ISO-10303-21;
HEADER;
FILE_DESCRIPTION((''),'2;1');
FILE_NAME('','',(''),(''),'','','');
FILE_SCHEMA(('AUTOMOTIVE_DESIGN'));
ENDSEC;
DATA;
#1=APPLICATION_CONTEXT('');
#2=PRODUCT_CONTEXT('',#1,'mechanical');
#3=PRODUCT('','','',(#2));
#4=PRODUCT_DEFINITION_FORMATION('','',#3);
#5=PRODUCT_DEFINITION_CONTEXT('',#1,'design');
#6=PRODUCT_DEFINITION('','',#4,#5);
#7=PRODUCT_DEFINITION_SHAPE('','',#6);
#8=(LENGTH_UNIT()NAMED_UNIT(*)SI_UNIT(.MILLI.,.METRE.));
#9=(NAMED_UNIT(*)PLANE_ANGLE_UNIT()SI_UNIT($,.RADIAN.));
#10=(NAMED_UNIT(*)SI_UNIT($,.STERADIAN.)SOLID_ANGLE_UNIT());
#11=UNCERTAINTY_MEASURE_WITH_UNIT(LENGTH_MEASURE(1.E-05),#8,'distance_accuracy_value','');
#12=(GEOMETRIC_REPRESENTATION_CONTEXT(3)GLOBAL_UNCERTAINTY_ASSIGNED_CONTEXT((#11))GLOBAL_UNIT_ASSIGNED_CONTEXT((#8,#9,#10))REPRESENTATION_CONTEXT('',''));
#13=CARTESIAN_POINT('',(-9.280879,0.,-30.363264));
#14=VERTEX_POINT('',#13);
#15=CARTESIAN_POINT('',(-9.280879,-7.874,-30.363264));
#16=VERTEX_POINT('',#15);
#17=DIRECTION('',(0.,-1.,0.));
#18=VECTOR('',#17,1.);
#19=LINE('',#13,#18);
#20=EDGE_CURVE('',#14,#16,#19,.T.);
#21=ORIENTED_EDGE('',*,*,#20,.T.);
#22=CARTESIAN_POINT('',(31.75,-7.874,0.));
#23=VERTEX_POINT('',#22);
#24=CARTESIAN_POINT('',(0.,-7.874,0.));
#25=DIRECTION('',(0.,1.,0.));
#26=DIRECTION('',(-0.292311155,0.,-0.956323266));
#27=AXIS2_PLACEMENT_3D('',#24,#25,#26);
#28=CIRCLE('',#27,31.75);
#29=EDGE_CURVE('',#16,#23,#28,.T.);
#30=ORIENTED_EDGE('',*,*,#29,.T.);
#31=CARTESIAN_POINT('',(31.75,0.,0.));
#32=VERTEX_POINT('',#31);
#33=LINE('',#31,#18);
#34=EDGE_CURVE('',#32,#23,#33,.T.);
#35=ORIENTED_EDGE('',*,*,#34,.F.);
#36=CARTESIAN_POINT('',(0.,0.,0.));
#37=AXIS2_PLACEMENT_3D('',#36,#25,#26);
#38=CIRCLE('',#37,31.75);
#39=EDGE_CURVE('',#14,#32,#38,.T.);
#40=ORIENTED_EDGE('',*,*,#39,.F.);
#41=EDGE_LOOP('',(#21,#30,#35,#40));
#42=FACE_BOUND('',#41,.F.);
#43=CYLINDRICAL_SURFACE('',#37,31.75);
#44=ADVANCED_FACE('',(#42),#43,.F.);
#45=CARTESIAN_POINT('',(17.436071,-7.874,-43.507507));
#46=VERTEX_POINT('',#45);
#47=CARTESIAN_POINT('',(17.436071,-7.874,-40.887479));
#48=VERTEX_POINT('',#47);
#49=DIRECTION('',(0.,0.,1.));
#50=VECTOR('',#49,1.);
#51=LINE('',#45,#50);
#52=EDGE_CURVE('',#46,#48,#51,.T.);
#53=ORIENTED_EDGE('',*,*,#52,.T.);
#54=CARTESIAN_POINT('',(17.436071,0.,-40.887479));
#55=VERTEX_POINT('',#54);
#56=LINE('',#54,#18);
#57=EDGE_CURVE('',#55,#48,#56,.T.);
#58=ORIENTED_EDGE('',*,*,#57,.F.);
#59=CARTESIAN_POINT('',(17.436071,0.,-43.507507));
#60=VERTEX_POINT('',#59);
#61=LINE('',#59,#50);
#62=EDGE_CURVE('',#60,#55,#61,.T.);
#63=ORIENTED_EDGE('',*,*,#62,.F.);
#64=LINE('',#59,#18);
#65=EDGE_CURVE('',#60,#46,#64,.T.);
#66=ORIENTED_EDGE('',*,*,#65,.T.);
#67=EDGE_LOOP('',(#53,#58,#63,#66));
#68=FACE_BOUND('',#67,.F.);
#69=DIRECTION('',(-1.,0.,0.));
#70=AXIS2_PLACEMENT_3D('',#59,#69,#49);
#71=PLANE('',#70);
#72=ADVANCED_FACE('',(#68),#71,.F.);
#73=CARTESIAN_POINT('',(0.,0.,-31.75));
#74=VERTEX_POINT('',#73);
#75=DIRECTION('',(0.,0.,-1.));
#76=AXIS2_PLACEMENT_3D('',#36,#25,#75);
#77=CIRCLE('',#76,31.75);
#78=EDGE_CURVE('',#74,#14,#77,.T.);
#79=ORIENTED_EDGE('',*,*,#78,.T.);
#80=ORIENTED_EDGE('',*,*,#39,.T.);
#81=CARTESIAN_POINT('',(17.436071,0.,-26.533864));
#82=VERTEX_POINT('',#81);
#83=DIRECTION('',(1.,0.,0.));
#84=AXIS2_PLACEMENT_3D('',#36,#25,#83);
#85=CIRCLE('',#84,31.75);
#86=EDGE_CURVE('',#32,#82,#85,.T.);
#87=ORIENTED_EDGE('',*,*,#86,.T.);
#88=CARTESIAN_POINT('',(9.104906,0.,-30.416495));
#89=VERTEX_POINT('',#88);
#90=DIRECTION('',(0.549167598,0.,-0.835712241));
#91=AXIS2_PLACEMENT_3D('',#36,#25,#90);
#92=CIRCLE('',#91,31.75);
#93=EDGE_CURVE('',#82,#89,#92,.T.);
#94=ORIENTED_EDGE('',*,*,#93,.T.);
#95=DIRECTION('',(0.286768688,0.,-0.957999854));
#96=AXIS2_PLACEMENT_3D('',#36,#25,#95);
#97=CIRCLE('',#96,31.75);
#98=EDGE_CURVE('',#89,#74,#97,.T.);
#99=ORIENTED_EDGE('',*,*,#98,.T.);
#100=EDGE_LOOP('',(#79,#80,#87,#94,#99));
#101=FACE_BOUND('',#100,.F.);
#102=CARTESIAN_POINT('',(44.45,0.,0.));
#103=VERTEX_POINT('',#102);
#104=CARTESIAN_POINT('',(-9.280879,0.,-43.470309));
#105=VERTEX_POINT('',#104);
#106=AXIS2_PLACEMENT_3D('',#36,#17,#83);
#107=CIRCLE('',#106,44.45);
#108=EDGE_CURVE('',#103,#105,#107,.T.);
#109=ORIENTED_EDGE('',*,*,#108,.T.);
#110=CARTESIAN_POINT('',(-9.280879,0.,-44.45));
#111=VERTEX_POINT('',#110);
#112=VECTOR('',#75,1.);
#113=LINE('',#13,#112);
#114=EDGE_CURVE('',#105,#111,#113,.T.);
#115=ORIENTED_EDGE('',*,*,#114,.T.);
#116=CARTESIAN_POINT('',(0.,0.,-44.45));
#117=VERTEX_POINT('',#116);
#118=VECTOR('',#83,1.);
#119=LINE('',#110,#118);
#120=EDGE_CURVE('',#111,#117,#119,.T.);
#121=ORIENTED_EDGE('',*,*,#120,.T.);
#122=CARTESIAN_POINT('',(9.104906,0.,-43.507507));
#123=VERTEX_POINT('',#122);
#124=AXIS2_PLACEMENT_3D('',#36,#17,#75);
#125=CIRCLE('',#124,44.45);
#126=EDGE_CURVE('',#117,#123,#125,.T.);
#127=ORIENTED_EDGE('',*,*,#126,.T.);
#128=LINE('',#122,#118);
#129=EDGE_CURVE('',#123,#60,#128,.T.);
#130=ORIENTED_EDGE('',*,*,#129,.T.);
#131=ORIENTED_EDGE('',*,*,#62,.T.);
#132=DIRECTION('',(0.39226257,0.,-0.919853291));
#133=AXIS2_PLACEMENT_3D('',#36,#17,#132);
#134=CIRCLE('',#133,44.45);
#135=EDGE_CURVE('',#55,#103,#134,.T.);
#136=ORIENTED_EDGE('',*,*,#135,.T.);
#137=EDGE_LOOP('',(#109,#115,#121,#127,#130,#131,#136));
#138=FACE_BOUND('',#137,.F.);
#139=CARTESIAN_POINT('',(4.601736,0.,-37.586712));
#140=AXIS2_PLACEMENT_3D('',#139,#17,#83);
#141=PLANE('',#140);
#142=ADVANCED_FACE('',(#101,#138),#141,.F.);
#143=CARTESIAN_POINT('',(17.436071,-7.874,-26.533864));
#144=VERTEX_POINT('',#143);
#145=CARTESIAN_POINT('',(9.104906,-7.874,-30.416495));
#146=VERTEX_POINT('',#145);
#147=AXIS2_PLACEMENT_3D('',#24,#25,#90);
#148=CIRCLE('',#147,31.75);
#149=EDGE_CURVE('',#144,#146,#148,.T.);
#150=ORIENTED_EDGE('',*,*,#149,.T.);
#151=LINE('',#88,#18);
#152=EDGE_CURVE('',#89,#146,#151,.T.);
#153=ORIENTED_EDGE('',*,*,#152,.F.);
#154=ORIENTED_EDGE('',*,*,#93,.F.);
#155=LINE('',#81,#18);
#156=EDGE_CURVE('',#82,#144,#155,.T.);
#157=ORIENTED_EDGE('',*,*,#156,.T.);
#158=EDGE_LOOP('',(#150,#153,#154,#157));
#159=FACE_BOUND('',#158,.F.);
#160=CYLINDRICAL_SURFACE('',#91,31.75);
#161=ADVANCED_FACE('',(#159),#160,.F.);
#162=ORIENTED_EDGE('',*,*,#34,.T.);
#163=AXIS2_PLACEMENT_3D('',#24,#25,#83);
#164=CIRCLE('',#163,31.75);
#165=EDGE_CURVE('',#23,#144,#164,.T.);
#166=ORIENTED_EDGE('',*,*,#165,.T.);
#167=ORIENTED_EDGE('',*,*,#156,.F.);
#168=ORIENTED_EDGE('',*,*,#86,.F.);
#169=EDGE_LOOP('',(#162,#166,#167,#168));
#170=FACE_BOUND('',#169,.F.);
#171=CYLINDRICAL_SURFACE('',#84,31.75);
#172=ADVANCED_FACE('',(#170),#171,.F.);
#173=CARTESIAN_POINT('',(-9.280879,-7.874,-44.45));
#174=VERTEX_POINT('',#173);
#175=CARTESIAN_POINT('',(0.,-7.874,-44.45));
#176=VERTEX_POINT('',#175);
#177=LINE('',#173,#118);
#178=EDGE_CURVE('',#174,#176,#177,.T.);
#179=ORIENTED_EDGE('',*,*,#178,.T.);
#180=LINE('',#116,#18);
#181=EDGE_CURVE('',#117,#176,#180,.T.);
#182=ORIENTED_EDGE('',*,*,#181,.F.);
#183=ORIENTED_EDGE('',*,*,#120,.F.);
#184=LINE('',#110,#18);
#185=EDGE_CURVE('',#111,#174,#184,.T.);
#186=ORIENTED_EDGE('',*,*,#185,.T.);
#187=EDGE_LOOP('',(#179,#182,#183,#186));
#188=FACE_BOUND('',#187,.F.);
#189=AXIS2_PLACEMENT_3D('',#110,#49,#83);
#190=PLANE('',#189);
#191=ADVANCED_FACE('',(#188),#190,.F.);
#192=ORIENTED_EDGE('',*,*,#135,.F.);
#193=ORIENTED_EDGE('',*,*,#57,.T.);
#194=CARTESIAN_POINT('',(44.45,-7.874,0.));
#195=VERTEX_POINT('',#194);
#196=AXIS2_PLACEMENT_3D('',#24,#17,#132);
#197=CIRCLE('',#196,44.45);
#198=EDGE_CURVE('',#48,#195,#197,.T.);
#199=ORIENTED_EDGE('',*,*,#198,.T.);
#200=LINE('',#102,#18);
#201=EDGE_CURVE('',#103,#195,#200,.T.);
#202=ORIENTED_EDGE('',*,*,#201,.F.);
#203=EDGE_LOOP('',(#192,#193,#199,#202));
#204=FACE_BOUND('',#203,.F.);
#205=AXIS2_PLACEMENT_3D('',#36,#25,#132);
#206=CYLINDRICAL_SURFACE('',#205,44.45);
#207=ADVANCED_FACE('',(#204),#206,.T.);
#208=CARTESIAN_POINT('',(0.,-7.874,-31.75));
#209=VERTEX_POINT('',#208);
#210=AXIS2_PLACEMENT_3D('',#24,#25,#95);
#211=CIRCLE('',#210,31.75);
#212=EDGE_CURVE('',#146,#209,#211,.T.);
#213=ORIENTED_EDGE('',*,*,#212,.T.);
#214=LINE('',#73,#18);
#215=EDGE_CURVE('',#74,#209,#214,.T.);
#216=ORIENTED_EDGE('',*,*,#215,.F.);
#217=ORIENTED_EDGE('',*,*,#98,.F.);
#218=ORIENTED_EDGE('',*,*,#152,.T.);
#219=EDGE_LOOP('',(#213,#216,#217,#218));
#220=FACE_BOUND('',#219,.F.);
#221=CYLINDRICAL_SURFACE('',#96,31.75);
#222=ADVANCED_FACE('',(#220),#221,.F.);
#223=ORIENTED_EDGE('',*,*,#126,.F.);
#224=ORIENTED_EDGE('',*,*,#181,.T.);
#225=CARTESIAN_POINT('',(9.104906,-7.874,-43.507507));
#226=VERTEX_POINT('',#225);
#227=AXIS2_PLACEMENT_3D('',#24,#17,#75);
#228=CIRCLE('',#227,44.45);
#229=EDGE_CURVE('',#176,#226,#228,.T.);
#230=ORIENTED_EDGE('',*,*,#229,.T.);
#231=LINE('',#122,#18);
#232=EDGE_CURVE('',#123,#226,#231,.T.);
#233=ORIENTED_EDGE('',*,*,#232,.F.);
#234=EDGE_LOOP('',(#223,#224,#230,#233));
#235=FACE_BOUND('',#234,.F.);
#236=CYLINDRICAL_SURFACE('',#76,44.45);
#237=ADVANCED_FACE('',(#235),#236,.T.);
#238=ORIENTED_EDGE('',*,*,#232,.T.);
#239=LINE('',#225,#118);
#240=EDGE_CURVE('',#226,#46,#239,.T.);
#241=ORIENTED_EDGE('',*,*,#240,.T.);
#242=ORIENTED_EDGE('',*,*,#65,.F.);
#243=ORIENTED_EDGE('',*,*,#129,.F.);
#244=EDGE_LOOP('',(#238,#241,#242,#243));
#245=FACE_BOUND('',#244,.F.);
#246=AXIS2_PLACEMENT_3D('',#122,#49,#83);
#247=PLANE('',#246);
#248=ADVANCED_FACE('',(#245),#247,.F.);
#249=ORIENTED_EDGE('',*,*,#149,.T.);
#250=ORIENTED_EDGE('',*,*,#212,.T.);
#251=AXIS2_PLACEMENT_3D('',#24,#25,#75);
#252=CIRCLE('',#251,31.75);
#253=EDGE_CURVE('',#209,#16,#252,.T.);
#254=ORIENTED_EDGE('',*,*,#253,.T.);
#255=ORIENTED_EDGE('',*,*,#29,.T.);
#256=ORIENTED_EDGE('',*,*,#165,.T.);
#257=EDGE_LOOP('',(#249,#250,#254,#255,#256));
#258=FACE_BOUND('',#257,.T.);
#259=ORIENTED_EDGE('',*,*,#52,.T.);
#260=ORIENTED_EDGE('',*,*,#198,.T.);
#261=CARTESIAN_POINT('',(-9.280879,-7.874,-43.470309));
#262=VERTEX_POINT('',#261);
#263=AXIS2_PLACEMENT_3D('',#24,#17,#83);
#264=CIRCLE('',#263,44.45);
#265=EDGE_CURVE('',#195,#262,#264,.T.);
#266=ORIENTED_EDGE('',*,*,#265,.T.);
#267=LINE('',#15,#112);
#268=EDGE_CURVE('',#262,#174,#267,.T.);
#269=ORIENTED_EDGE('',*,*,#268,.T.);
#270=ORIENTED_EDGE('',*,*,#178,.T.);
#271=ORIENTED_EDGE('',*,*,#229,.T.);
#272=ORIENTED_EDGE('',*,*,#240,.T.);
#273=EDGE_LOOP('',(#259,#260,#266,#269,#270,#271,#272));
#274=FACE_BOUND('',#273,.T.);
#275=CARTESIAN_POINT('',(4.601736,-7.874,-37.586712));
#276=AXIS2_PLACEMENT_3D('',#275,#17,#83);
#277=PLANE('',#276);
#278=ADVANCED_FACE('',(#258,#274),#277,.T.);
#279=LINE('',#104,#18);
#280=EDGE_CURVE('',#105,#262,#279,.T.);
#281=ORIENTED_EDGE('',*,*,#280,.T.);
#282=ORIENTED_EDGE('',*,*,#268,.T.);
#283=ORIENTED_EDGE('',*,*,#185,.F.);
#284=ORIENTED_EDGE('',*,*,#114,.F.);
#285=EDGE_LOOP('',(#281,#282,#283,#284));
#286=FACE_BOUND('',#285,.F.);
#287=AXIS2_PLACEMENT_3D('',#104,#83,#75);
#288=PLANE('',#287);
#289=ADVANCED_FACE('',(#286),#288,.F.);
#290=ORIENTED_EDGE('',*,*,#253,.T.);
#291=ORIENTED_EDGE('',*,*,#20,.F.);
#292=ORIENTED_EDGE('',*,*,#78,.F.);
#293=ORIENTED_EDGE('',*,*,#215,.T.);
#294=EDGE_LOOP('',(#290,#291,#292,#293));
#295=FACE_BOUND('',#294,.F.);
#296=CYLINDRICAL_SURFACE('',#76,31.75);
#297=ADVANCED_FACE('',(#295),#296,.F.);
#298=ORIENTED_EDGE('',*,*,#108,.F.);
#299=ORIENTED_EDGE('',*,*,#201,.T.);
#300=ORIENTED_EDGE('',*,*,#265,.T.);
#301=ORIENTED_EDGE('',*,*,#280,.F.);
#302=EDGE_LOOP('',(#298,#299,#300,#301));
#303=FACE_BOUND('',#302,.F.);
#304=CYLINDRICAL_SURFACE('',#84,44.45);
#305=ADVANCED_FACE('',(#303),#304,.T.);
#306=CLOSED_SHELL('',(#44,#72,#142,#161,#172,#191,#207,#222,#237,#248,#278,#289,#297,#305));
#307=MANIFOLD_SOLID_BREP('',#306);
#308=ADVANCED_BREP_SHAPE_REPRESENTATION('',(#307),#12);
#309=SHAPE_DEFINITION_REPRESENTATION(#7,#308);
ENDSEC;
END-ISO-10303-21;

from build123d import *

# Parameters (mm, degrees)
F1_DEPTH = 7.874


with BuildPart() as f1:
    # F0 (on Front) → F1 (new body)
    with BuildSketch(Plane.XZ):
        with BuildLine():
            Line((0, -31.75), (0, -44.45))
            ThreePointArc((0, -44.45), (4.5767784208, -44.2137489848), (9.1049058384, -43.5075072795))
            Line((9.1049058384, -43.5075072795), (9.1049058384, -30.4164953549))
            ThreePointArc((9.1049058384, -30.4164953549), (4.6010201305, -31.4148549855), (0, -31.75))
        make_face()
        with BuildLine():
            Line((-9.2808791619, -44.45), (0, -44.45))
            ThreePointArc((0, -44.45), (-4.6662220286, -44.2043987854), (-9.2808791619, -43.4703092004))
            Line((-9.2808791619, -43.4703092004), (-9.2808791619, -44.45))
        make_face()
        with BuildLine():
            ThreePointArc((-9.2808791619, -43.4703092004), (-4.6662220286, -44.2043987854), (0, -44.45))
            Line((0, -44.45), (0, -31.75))
            ThreePointArc((0, -31.75), (-4.6919546995, -31.4014022155), (-9.2808791619, -30.3632636912))
            Line((-9.2808791619, -30.3632636912), (-9.2808791619, -43.4703092004))
        make_face()
        with BuildLine():
            Line((9.1049058384, -30.4164953549), (9.1049058384, -43.5075072795))
            ThreePointArc((9.1049058384, -43.5075072795), (13.3349916889, -42.4026001167), (17.4360712343, -40.8874787669))
            Line((17.4360712343, -40.8874787669), (17.4360712343, -26.5338636447))
            ThreePointArc((17.4360712343, -26.5338636447), (13.4117326711, -28.7782544078), (9.1049058384, -30.4164953549))
        make_face()
        with BuildLine():
            ThreePointArc((17.4360712343, -40.8874787669), (13.3349916889, -42.4026001167), (9.1049058384, -43.5075072795))
            Line((9.1049058384, -43.5075072795), (17.4360712343, -43.5075072795))
            Line((17.4360712343, -43.5075072795), (17.4360712343, -40.8874787669))
        make_face()
        with BuildLine():
            ThreePointArc((44.45, 0), (-27.9577129005, 34.5567473784), (-9.2808791619, -43.4703092004))
            Line((-9.2808791619, -43.4703092004), (-9.2808791619, -30.3632636912))
            ThreePointArc((-9.2808791619, -30.3632636912), (-18.8864314603, 25.5218574304), (31.75, 0))
            ThreePointArc((31.75, 0), (27.9433154948, -15.0742701036), (17.4360712343, -26.5338636447))
            Line((17.4360712343, -26.5338636447), (17.4360712343, -40.8874787669))
            ThreePointArc((17.4360712343, -40.8874787669), (37.0866274172, -24.5027461077), (44.45, 0))
        make_face()
    extrude(amount=F1_DEPTH)


solid = f1.part
